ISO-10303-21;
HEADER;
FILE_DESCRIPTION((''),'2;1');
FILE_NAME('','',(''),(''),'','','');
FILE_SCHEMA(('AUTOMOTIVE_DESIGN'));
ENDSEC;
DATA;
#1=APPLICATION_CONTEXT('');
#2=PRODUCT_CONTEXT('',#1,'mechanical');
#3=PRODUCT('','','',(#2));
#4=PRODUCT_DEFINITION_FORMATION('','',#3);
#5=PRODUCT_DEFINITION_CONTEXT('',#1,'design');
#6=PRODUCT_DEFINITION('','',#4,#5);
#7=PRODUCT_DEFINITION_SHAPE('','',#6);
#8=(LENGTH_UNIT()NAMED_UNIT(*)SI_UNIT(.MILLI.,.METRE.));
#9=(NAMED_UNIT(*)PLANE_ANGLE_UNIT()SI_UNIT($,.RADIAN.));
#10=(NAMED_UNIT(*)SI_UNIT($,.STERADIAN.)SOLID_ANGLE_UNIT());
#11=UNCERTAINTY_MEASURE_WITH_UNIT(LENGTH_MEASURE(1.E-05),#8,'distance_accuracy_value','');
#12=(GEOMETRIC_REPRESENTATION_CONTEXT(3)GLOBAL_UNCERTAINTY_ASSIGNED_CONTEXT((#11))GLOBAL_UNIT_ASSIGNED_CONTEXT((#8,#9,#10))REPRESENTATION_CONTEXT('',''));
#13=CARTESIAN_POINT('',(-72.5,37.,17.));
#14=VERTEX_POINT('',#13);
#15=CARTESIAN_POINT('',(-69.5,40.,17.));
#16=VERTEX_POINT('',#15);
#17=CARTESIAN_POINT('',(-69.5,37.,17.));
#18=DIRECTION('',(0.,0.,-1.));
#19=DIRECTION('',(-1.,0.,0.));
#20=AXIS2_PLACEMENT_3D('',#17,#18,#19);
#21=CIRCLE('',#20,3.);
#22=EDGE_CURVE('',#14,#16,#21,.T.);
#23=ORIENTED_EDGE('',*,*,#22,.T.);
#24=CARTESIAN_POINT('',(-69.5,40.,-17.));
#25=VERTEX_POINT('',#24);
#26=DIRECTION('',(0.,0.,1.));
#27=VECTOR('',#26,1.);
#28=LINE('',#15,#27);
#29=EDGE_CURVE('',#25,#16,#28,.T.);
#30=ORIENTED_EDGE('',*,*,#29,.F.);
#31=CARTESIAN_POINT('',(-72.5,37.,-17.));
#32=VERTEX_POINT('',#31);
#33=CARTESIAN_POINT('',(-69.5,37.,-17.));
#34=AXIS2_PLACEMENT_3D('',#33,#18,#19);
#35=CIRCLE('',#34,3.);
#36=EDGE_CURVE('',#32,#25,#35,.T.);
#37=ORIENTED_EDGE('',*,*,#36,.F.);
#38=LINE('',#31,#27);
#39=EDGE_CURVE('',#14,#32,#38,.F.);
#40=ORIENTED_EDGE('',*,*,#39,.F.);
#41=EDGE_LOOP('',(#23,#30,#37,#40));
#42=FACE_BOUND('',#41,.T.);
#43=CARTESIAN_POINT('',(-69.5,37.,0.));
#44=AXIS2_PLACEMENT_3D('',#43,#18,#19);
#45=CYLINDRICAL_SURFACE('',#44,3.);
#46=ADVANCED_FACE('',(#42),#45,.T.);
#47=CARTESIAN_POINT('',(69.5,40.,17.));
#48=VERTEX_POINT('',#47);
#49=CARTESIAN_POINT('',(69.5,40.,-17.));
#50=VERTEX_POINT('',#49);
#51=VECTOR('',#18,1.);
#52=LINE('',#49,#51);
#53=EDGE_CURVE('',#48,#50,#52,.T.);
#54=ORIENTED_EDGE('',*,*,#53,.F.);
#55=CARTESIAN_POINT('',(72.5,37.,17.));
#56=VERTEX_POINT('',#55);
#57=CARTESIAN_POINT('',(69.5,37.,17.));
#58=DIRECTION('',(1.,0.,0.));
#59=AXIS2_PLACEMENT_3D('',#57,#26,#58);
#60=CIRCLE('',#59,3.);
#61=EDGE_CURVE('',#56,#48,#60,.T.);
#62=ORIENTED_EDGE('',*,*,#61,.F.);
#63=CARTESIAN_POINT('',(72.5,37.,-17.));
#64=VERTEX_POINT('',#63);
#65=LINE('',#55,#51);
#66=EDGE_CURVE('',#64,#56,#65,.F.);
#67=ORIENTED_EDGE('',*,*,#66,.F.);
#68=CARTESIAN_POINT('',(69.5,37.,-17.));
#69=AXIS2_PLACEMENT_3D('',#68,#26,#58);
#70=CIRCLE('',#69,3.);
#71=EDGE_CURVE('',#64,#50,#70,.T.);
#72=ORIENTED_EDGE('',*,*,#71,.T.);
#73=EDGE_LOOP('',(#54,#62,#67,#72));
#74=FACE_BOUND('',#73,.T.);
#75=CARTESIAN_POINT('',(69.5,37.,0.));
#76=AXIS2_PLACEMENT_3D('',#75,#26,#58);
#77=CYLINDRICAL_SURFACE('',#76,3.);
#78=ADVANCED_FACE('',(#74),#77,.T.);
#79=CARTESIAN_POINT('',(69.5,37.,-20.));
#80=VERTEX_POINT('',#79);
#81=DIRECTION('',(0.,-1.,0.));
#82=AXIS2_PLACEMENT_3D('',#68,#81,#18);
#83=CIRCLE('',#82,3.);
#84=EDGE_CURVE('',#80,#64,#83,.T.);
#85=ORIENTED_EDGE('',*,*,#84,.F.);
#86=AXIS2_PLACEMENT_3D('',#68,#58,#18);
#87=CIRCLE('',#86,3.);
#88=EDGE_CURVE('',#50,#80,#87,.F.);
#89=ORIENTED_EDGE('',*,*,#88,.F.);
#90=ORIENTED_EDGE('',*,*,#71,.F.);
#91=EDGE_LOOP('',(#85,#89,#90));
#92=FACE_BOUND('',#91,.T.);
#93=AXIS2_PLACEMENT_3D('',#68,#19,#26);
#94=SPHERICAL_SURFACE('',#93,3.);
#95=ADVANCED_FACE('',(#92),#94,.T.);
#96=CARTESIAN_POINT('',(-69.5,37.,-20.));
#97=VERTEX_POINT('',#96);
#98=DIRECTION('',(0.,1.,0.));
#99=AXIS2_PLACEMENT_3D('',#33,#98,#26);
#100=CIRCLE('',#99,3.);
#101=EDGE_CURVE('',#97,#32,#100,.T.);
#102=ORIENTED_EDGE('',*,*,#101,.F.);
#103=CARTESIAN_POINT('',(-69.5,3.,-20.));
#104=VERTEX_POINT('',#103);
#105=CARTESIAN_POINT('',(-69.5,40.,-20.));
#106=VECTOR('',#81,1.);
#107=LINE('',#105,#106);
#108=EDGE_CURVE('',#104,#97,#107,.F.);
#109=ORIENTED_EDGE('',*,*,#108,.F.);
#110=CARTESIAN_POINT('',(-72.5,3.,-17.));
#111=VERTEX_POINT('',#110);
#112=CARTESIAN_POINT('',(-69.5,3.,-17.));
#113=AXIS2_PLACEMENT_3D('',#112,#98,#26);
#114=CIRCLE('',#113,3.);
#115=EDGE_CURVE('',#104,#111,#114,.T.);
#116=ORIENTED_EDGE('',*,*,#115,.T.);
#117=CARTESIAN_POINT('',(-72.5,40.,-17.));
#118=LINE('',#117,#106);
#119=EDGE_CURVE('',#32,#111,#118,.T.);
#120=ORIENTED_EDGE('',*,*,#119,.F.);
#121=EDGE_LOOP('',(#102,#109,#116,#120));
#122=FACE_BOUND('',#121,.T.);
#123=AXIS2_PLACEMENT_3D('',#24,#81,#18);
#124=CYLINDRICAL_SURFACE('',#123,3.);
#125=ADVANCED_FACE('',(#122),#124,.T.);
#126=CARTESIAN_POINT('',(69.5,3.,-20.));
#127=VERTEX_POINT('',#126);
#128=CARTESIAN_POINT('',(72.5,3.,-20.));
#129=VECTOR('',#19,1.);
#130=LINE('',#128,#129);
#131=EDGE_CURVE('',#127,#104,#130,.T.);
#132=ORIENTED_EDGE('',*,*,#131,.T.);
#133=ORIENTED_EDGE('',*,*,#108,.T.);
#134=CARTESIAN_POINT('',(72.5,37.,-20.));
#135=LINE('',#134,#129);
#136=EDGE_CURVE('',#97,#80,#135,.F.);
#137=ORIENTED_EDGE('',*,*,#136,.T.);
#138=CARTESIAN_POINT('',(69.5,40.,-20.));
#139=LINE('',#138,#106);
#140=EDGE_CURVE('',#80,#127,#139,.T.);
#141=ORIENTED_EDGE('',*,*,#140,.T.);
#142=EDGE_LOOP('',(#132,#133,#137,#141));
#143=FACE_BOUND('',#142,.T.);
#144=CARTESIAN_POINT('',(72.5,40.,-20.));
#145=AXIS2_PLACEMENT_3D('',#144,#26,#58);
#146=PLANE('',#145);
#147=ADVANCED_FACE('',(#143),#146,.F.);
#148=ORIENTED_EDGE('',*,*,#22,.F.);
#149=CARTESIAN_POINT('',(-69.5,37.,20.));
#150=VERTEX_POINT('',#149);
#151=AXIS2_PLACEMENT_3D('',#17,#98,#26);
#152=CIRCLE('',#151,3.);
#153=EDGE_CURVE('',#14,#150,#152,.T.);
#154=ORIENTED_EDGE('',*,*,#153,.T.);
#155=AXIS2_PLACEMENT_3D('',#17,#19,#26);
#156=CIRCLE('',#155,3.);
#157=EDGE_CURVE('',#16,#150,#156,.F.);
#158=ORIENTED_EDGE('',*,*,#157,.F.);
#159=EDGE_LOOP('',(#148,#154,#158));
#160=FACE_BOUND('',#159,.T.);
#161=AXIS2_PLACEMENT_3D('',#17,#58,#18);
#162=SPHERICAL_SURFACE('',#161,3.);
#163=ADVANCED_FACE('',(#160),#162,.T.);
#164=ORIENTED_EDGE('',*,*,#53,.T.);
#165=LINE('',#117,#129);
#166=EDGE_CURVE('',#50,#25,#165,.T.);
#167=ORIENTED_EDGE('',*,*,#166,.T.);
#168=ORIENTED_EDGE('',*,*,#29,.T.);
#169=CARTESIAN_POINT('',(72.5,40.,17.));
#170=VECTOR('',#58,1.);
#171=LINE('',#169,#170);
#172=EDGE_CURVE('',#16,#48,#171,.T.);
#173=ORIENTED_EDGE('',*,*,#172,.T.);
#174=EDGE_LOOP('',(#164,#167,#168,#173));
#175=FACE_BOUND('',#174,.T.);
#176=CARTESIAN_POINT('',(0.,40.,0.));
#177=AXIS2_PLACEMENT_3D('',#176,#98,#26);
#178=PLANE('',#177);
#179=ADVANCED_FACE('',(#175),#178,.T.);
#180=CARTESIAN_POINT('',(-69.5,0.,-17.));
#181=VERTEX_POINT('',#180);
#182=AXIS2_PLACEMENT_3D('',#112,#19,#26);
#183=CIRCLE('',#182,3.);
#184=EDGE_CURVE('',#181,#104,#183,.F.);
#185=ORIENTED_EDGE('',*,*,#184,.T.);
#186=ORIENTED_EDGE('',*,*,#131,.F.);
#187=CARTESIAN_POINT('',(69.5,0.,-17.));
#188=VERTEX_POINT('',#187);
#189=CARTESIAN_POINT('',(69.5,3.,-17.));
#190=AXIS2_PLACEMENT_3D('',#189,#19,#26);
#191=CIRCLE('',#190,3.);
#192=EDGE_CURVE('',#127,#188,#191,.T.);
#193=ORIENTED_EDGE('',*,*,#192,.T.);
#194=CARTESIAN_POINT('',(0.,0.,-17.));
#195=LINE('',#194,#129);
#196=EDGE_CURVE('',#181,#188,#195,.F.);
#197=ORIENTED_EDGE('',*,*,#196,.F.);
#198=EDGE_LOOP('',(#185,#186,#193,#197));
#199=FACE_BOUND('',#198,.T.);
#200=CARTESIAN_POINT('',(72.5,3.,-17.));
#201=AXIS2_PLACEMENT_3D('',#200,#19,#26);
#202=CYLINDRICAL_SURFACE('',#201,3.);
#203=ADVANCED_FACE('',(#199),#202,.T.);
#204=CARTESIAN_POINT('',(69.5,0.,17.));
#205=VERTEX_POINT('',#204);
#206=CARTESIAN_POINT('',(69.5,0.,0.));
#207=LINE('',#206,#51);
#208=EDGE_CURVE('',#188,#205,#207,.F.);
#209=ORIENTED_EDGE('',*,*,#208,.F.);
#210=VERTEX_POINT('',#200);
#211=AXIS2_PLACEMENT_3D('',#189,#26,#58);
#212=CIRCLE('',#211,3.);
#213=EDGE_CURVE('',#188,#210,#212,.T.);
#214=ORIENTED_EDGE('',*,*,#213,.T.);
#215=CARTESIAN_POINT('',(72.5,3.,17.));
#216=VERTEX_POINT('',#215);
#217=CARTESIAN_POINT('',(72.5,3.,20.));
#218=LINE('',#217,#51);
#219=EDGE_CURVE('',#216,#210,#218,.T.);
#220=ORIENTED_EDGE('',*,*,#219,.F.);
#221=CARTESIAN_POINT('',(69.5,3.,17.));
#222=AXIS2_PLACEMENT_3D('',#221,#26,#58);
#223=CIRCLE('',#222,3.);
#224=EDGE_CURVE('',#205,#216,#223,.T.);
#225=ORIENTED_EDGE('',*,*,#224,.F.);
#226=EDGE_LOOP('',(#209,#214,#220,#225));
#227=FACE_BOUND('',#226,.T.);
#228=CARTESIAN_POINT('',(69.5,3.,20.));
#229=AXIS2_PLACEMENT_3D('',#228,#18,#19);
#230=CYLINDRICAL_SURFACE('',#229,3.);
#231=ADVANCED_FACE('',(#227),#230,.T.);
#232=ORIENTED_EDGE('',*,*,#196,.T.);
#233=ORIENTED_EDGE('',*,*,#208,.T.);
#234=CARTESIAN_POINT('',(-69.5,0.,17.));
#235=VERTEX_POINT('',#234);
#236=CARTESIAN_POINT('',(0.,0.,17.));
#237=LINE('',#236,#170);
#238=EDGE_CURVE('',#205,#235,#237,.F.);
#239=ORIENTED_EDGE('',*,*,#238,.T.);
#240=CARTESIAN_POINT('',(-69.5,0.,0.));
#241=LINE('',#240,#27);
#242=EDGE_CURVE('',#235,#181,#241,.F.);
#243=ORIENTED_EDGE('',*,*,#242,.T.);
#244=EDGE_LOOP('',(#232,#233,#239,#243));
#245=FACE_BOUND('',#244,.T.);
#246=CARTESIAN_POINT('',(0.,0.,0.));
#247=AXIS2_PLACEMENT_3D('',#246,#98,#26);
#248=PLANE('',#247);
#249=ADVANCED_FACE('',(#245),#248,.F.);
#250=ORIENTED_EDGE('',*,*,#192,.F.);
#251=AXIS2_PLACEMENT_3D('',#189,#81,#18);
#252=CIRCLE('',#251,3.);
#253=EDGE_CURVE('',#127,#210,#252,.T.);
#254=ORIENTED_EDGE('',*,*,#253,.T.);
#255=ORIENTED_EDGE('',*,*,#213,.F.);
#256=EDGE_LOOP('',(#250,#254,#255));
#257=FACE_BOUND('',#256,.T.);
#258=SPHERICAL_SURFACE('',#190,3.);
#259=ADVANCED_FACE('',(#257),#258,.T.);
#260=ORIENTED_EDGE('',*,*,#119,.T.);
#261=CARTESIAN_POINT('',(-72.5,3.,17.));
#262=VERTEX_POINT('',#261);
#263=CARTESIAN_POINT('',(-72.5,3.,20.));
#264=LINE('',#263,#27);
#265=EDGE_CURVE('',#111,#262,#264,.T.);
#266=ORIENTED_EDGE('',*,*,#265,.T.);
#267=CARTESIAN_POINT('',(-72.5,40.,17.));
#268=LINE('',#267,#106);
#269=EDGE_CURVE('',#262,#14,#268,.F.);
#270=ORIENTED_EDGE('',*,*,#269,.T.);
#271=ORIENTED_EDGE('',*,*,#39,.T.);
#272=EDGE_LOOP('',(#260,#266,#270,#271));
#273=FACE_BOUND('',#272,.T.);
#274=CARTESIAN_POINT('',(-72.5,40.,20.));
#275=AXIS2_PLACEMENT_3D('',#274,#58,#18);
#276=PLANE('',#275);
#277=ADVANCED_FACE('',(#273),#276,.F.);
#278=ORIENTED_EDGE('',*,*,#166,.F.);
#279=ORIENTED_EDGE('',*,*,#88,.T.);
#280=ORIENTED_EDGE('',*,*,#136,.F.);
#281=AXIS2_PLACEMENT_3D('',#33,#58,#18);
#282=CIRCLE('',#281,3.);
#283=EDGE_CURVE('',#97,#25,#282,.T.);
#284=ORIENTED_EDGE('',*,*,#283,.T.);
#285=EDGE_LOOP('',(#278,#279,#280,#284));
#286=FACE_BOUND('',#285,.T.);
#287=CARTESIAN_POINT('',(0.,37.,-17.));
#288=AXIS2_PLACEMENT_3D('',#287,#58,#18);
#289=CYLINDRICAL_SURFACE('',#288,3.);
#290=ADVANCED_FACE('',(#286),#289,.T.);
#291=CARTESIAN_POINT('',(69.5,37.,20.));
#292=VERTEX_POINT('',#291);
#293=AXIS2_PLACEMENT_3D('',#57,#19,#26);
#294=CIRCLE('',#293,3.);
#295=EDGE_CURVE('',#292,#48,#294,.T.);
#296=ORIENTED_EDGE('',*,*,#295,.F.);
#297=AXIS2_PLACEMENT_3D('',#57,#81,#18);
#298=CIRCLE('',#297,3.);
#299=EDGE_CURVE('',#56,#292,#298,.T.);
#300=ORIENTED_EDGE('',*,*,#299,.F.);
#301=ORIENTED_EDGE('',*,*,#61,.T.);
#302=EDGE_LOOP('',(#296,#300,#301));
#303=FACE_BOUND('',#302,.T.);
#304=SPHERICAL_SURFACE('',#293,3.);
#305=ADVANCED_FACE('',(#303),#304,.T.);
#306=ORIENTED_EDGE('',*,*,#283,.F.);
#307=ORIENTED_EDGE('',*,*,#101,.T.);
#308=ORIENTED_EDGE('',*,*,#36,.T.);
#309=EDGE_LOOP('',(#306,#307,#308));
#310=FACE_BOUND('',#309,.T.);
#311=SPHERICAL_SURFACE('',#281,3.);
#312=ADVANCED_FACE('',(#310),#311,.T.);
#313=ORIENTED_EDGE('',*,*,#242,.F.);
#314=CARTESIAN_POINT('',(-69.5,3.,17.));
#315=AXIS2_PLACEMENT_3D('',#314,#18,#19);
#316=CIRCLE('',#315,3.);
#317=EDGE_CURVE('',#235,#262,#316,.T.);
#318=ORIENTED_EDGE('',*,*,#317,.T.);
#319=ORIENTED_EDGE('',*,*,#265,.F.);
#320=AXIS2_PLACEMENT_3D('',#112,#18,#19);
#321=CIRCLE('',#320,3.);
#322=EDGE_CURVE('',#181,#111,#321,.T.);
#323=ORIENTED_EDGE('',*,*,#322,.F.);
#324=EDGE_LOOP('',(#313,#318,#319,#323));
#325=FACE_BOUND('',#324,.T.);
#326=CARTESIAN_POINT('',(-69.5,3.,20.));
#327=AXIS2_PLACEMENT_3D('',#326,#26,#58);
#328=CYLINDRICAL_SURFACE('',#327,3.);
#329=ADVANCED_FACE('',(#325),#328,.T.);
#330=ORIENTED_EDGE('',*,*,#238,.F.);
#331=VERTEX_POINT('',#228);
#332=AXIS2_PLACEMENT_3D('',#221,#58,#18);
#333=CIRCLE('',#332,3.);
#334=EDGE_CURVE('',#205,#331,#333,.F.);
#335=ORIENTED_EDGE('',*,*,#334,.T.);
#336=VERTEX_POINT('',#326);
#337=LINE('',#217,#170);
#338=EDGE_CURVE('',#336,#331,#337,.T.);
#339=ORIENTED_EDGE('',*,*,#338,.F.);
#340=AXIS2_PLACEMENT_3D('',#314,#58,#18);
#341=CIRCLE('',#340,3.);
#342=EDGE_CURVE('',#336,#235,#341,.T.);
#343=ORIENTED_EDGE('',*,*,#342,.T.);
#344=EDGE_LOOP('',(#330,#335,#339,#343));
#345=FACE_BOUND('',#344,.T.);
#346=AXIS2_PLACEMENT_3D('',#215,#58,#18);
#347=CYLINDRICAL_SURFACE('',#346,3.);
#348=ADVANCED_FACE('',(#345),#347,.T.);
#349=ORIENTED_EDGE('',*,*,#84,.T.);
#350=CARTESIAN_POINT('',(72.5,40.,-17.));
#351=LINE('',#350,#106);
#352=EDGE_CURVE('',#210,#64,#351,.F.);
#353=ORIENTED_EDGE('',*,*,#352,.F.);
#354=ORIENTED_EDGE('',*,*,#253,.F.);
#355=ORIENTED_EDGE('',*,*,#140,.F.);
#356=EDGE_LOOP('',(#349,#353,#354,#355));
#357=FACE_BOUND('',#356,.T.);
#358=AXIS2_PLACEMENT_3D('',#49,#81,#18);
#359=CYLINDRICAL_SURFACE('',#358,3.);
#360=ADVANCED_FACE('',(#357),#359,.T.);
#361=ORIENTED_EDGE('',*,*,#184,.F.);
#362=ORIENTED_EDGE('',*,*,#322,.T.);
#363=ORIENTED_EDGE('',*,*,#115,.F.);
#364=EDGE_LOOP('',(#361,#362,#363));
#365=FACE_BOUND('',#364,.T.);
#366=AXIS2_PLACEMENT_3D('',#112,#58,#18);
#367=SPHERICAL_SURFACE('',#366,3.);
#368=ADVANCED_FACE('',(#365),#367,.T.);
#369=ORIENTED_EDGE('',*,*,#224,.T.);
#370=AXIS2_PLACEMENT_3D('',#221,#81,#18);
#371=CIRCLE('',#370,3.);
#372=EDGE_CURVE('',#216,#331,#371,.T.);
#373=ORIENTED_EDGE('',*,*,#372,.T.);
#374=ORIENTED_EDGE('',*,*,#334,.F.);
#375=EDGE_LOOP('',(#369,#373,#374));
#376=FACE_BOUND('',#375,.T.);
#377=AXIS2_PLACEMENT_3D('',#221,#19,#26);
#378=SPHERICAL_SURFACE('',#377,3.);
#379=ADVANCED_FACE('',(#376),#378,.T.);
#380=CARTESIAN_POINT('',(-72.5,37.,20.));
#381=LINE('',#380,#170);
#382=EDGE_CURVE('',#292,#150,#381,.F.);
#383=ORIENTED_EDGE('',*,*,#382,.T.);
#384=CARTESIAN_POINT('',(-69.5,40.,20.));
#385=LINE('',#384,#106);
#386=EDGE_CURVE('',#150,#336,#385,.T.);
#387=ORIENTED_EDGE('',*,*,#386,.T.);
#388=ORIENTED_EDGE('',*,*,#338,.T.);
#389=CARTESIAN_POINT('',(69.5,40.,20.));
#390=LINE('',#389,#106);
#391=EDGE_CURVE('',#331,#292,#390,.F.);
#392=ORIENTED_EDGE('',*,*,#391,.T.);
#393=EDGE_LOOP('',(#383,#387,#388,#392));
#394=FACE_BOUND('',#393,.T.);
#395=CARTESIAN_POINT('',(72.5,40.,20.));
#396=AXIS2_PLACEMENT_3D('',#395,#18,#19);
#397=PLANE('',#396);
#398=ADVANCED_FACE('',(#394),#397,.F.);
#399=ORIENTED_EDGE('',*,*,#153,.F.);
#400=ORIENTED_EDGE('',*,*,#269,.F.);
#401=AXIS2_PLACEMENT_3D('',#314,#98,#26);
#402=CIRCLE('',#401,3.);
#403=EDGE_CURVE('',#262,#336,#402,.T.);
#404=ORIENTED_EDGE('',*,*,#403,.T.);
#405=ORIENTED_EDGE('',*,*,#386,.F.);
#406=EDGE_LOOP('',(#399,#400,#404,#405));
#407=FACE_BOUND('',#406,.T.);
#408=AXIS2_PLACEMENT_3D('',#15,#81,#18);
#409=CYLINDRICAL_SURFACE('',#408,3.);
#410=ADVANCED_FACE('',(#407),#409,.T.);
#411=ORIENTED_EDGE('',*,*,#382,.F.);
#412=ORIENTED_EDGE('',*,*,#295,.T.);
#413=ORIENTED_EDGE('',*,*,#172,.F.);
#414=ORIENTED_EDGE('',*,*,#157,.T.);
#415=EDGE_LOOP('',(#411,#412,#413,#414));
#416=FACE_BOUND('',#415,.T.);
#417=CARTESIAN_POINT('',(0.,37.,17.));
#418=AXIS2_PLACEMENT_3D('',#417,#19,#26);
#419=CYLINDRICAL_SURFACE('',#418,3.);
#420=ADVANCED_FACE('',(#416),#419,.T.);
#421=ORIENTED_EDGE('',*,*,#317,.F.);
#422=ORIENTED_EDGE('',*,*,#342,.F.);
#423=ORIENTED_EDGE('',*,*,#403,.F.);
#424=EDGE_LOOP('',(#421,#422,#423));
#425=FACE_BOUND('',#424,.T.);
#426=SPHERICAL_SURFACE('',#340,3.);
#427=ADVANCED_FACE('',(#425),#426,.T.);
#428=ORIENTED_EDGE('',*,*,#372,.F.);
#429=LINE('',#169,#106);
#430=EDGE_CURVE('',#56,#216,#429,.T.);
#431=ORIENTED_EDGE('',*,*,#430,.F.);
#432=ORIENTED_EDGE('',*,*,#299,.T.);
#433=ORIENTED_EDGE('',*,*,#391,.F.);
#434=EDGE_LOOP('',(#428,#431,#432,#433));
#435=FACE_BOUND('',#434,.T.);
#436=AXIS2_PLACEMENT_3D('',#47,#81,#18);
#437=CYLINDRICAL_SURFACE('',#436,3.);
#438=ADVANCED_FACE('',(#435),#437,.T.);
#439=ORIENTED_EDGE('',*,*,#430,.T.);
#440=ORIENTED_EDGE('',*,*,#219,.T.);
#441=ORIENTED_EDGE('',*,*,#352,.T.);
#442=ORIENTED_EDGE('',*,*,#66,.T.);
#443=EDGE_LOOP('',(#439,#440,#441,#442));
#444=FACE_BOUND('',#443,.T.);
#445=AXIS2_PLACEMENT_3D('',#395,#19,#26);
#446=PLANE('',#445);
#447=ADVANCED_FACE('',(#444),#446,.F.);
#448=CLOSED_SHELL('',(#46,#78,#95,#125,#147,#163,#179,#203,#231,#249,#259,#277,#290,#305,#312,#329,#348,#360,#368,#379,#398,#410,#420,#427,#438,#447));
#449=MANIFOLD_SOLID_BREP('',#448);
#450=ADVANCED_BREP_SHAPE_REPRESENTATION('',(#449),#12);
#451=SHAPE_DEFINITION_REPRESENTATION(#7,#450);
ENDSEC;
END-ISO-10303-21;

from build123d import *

# Parameters (mm, degrees)
SKETCH_1_W      = 145
SKETCH_1_H      = 40
EXTRUDE_1_DEPTH = 40
FILLET_1_R      = 3
FILLET_2_R      = 3


with BuildPart() as part:
    # 草图1 → 凸台-拉伸1 (new body)
    with BuildSketch(Plane(origin=(0, 0, 0), x_dir=(1, 0, 0), z_dir=(0, 1, 0))):
        Rectangle(SKETCH_1_W, SKETCH_1_H)
    extrude(amount=EXTRUDE_1_DEPTH)

    # 圆角1
    fillet_1_edges = [part.edges().sort_by_distance(p)[0] for p in [
        (0, 40, -20),
        (0, 0, -20),
        (0, 0, 20),
        (0, 40, 20),
    ]]
    fillet(fillet_1_edges, radius=FILLET_1_R)

    # 圆角2
    fillet_2_edges = [part.edges().sort_by_distance(p)[0] for p in [
        (-72.5, 20, -20),
        (72.5, 20, -20),
        (-72.5, 0, 0),
        (-72.5, 20, 20),
        (-72.5, 40, 0),
        (-72.5, 39.121320344, 19.121320344),
        (-72.5, 0.878679656, 19.121320344),
        (-72.5, 39.121320344, -19.121320344),
        (-72.5, 0.878679656, -19.121320344),
        (72.5, 0, 0),
        (72.5, 40, 0),
        (72.5, 20, 20),
        (72.5, 39.121320344, 19.121320344),
        (72.5, 0.878679656, 19.121320344),
        (72.5, 39.121320344, -19.121320344),
        (72.5, 0.878679656, -19.121320344),
    ]]
    fillet(fillet_2_edges, radius=FILLET_2_R)


solid = part.part
